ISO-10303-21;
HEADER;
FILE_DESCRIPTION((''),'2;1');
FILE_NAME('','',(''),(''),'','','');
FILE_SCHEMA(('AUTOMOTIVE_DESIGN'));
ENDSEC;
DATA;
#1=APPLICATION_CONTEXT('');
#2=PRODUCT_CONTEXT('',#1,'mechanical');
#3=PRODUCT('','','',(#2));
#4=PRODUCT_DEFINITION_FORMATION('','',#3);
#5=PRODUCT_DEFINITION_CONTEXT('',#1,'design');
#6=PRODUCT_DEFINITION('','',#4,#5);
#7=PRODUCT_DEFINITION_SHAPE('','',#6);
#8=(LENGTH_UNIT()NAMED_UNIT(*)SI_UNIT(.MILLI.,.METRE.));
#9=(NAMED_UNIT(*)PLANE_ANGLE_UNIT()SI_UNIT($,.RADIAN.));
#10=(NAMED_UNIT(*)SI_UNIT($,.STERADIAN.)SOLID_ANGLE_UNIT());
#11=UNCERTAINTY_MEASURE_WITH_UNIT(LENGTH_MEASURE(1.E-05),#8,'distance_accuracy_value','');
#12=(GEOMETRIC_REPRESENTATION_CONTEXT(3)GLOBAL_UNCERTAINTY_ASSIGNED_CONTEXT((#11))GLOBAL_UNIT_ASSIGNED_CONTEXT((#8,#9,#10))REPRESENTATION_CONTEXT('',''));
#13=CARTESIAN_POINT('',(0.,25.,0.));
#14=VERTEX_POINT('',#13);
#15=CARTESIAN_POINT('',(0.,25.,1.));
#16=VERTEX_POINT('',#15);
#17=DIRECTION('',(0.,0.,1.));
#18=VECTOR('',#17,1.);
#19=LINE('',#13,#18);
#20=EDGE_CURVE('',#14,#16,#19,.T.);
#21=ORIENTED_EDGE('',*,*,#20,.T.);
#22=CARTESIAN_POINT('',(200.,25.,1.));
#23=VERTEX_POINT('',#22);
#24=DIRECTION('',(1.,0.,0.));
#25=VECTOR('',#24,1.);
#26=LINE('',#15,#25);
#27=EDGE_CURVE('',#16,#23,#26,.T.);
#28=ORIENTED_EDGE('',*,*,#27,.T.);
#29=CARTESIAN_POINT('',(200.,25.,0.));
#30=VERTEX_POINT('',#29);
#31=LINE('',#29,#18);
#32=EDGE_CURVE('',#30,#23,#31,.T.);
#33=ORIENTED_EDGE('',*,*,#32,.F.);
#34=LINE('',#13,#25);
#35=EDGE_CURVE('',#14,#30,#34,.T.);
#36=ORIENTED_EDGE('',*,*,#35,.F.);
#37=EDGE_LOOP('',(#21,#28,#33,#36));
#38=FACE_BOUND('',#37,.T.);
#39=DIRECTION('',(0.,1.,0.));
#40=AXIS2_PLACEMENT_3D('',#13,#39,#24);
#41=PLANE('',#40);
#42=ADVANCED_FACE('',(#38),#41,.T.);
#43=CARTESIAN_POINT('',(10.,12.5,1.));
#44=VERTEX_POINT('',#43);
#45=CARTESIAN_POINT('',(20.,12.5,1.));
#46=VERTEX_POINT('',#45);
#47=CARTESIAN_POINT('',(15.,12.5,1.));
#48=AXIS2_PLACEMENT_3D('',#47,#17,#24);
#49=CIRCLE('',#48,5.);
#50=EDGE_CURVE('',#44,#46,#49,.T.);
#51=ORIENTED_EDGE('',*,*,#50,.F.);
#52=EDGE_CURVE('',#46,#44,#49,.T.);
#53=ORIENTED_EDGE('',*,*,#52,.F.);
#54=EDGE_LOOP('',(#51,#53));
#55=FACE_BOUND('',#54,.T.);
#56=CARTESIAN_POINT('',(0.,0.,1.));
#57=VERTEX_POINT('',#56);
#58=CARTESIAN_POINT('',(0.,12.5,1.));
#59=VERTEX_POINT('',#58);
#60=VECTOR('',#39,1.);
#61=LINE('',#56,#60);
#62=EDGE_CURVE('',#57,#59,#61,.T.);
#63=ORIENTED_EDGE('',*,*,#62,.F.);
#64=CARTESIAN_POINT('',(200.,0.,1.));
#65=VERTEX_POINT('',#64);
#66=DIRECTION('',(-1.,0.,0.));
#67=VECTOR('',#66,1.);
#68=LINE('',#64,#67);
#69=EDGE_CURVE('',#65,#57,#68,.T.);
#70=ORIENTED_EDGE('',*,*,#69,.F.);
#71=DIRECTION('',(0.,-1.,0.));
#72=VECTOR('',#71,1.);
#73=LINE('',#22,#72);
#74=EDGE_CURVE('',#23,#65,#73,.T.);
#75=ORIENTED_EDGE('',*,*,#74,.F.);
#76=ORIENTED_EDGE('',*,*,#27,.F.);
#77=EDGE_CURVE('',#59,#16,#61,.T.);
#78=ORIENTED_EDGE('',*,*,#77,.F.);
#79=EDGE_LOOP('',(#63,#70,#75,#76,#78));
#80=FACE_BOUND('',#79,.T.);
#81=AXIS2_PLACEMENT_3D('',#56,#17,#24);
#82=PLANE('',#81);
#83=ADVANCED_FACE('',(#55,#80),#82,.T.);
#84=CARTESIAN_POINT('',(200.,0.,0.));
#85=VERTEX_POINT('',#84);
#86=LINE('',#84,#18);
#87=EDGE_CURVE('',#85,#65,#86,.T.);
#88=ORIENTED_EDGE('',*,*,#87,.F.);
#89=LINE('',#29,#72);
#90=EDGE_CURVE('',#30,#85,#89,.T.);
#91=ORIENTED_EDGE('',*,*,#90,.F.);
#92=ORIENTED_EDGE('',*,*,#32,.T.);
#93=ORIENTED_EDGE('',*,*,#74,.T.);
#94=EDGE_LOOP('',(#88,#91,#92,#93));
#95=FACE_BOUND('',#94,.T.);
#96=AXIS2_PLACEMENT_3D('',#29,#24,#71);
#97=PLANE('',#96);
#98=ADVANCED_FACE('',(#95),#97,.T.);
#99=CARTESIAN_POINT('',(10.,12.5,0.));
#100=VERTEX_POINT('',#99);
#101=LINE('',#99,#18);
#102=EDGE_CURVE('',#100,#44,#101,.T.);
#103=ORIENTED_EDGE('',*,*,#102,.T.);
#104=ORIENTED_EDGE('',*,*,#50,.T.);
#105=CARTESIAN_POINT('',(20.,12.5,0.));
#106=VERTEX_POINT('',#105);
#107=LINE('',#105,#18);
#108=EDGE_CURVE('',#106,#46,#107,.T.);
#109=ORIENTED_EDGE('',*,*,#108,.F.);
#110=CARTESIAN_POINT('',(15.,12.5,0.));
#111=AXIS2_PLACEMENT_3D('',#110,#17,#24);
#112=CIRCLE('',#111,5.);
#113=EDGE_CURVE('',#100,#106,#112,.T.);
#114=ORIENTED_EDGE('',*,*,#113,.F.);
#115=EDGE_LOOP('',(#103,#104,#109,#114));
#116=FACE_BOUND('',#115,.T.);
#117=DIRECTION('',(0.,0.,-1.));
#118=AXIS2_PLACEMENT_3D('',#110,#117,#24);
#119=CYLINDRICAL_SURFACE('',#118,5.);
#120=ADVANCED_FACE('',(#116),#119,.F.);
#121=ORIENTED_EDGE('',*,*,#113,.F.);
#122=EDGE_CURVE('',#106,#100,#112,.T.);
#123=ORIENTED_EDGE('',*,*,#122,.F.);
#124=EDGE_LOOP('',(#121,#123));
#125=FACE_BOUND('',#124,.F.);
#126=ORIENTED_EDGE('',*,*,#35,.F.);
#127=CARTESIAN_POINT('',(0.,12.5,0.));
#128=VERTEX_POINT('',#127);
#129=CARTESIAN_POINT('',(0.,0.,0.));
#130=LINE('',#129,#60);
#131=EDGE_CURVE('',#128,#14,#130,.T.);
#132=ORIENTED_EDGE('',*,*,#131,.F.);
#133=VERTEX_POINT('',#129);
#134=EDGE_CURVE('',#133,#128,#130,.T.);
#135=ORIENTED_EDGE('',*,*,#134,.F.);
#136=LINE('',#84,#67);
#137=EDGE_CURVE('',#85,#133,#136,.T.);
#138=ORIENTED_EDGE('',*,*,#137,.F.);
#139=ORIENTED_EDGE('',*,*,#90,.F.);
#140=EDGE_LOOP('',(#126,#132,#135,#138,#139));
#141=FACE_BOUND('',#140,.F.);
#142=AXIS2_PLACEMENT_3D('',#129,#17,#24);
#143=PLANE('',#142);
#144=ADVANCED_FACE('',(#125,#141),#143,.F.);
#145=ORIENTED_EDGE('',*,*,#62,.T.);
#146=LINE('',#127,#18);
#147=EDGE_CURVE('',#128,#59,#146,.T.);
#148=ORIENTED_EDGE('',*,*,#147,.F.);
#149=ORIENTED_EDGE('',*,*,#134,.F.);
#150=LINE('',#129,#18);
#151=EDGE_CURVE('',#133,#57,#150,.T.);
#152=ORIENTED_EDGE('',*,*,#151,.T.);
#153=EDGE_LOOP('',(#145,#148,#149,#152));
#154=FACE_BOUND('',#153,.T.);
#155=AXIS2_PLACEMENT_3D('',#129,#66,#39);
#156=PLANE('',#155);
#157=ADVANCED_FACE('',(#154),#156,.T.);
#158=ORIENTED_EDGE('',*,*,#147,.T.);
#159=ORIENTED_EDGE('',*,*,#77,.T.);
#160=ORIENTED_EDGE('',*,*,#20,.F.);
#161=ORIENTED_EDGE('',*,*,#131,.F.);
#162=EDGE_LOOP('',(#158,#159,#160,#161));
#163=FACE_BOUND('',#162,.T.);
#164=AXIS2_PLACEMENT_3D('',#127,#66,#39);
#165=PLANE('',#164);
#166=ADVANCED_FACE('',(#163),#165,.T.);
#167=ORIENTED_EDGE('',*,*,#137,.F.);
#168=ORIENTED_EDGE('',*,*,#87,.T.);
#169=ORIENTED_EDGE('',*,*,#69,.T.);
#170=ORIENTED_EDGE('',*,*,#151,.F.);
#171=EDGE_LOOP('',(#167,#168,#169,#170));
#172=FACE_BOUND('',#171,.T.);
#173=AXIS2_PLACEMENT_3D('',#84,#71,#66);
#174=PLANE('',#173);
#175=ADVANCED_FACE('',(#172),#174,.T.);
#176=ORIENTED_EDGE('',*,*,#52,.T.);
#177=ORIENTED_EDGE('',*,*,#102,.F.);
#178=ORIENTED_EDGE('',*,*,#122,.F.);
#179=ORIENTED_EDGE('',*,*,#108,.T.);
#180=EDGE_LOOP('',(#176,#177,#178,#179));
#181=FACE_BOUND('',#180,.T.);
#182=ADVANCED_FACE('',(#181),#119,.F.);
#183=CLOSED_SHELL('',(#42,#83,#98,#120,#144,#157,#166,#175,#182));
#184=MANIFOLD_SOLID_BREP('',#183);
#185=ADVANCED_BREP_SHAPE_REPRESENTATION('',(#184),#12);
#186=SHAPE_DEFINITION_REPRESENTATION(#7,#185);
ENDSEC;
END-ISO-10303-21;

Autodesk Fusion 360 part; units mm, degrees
sketch "Sketch1" plane through (0, 0, 0) normal (0, 0, 1) x (1, 0, 0)
  line L0 (0, 0) -> (0, 25)
  line L1 (0, 25) -> (200, 25)
  line L2 (200, 25) -> (200, 0)
  line L3 (200, 0) -> (0, 0)
  line L4 (0, 12.5) -> (15, 12.5)
  circle A0 centre (15, 12.5) radius 5
  dimension "d2" = 200
  dimension "d3" = 25
extrude "Extrude1" add sketch "Sketch1" along normal blind 1
